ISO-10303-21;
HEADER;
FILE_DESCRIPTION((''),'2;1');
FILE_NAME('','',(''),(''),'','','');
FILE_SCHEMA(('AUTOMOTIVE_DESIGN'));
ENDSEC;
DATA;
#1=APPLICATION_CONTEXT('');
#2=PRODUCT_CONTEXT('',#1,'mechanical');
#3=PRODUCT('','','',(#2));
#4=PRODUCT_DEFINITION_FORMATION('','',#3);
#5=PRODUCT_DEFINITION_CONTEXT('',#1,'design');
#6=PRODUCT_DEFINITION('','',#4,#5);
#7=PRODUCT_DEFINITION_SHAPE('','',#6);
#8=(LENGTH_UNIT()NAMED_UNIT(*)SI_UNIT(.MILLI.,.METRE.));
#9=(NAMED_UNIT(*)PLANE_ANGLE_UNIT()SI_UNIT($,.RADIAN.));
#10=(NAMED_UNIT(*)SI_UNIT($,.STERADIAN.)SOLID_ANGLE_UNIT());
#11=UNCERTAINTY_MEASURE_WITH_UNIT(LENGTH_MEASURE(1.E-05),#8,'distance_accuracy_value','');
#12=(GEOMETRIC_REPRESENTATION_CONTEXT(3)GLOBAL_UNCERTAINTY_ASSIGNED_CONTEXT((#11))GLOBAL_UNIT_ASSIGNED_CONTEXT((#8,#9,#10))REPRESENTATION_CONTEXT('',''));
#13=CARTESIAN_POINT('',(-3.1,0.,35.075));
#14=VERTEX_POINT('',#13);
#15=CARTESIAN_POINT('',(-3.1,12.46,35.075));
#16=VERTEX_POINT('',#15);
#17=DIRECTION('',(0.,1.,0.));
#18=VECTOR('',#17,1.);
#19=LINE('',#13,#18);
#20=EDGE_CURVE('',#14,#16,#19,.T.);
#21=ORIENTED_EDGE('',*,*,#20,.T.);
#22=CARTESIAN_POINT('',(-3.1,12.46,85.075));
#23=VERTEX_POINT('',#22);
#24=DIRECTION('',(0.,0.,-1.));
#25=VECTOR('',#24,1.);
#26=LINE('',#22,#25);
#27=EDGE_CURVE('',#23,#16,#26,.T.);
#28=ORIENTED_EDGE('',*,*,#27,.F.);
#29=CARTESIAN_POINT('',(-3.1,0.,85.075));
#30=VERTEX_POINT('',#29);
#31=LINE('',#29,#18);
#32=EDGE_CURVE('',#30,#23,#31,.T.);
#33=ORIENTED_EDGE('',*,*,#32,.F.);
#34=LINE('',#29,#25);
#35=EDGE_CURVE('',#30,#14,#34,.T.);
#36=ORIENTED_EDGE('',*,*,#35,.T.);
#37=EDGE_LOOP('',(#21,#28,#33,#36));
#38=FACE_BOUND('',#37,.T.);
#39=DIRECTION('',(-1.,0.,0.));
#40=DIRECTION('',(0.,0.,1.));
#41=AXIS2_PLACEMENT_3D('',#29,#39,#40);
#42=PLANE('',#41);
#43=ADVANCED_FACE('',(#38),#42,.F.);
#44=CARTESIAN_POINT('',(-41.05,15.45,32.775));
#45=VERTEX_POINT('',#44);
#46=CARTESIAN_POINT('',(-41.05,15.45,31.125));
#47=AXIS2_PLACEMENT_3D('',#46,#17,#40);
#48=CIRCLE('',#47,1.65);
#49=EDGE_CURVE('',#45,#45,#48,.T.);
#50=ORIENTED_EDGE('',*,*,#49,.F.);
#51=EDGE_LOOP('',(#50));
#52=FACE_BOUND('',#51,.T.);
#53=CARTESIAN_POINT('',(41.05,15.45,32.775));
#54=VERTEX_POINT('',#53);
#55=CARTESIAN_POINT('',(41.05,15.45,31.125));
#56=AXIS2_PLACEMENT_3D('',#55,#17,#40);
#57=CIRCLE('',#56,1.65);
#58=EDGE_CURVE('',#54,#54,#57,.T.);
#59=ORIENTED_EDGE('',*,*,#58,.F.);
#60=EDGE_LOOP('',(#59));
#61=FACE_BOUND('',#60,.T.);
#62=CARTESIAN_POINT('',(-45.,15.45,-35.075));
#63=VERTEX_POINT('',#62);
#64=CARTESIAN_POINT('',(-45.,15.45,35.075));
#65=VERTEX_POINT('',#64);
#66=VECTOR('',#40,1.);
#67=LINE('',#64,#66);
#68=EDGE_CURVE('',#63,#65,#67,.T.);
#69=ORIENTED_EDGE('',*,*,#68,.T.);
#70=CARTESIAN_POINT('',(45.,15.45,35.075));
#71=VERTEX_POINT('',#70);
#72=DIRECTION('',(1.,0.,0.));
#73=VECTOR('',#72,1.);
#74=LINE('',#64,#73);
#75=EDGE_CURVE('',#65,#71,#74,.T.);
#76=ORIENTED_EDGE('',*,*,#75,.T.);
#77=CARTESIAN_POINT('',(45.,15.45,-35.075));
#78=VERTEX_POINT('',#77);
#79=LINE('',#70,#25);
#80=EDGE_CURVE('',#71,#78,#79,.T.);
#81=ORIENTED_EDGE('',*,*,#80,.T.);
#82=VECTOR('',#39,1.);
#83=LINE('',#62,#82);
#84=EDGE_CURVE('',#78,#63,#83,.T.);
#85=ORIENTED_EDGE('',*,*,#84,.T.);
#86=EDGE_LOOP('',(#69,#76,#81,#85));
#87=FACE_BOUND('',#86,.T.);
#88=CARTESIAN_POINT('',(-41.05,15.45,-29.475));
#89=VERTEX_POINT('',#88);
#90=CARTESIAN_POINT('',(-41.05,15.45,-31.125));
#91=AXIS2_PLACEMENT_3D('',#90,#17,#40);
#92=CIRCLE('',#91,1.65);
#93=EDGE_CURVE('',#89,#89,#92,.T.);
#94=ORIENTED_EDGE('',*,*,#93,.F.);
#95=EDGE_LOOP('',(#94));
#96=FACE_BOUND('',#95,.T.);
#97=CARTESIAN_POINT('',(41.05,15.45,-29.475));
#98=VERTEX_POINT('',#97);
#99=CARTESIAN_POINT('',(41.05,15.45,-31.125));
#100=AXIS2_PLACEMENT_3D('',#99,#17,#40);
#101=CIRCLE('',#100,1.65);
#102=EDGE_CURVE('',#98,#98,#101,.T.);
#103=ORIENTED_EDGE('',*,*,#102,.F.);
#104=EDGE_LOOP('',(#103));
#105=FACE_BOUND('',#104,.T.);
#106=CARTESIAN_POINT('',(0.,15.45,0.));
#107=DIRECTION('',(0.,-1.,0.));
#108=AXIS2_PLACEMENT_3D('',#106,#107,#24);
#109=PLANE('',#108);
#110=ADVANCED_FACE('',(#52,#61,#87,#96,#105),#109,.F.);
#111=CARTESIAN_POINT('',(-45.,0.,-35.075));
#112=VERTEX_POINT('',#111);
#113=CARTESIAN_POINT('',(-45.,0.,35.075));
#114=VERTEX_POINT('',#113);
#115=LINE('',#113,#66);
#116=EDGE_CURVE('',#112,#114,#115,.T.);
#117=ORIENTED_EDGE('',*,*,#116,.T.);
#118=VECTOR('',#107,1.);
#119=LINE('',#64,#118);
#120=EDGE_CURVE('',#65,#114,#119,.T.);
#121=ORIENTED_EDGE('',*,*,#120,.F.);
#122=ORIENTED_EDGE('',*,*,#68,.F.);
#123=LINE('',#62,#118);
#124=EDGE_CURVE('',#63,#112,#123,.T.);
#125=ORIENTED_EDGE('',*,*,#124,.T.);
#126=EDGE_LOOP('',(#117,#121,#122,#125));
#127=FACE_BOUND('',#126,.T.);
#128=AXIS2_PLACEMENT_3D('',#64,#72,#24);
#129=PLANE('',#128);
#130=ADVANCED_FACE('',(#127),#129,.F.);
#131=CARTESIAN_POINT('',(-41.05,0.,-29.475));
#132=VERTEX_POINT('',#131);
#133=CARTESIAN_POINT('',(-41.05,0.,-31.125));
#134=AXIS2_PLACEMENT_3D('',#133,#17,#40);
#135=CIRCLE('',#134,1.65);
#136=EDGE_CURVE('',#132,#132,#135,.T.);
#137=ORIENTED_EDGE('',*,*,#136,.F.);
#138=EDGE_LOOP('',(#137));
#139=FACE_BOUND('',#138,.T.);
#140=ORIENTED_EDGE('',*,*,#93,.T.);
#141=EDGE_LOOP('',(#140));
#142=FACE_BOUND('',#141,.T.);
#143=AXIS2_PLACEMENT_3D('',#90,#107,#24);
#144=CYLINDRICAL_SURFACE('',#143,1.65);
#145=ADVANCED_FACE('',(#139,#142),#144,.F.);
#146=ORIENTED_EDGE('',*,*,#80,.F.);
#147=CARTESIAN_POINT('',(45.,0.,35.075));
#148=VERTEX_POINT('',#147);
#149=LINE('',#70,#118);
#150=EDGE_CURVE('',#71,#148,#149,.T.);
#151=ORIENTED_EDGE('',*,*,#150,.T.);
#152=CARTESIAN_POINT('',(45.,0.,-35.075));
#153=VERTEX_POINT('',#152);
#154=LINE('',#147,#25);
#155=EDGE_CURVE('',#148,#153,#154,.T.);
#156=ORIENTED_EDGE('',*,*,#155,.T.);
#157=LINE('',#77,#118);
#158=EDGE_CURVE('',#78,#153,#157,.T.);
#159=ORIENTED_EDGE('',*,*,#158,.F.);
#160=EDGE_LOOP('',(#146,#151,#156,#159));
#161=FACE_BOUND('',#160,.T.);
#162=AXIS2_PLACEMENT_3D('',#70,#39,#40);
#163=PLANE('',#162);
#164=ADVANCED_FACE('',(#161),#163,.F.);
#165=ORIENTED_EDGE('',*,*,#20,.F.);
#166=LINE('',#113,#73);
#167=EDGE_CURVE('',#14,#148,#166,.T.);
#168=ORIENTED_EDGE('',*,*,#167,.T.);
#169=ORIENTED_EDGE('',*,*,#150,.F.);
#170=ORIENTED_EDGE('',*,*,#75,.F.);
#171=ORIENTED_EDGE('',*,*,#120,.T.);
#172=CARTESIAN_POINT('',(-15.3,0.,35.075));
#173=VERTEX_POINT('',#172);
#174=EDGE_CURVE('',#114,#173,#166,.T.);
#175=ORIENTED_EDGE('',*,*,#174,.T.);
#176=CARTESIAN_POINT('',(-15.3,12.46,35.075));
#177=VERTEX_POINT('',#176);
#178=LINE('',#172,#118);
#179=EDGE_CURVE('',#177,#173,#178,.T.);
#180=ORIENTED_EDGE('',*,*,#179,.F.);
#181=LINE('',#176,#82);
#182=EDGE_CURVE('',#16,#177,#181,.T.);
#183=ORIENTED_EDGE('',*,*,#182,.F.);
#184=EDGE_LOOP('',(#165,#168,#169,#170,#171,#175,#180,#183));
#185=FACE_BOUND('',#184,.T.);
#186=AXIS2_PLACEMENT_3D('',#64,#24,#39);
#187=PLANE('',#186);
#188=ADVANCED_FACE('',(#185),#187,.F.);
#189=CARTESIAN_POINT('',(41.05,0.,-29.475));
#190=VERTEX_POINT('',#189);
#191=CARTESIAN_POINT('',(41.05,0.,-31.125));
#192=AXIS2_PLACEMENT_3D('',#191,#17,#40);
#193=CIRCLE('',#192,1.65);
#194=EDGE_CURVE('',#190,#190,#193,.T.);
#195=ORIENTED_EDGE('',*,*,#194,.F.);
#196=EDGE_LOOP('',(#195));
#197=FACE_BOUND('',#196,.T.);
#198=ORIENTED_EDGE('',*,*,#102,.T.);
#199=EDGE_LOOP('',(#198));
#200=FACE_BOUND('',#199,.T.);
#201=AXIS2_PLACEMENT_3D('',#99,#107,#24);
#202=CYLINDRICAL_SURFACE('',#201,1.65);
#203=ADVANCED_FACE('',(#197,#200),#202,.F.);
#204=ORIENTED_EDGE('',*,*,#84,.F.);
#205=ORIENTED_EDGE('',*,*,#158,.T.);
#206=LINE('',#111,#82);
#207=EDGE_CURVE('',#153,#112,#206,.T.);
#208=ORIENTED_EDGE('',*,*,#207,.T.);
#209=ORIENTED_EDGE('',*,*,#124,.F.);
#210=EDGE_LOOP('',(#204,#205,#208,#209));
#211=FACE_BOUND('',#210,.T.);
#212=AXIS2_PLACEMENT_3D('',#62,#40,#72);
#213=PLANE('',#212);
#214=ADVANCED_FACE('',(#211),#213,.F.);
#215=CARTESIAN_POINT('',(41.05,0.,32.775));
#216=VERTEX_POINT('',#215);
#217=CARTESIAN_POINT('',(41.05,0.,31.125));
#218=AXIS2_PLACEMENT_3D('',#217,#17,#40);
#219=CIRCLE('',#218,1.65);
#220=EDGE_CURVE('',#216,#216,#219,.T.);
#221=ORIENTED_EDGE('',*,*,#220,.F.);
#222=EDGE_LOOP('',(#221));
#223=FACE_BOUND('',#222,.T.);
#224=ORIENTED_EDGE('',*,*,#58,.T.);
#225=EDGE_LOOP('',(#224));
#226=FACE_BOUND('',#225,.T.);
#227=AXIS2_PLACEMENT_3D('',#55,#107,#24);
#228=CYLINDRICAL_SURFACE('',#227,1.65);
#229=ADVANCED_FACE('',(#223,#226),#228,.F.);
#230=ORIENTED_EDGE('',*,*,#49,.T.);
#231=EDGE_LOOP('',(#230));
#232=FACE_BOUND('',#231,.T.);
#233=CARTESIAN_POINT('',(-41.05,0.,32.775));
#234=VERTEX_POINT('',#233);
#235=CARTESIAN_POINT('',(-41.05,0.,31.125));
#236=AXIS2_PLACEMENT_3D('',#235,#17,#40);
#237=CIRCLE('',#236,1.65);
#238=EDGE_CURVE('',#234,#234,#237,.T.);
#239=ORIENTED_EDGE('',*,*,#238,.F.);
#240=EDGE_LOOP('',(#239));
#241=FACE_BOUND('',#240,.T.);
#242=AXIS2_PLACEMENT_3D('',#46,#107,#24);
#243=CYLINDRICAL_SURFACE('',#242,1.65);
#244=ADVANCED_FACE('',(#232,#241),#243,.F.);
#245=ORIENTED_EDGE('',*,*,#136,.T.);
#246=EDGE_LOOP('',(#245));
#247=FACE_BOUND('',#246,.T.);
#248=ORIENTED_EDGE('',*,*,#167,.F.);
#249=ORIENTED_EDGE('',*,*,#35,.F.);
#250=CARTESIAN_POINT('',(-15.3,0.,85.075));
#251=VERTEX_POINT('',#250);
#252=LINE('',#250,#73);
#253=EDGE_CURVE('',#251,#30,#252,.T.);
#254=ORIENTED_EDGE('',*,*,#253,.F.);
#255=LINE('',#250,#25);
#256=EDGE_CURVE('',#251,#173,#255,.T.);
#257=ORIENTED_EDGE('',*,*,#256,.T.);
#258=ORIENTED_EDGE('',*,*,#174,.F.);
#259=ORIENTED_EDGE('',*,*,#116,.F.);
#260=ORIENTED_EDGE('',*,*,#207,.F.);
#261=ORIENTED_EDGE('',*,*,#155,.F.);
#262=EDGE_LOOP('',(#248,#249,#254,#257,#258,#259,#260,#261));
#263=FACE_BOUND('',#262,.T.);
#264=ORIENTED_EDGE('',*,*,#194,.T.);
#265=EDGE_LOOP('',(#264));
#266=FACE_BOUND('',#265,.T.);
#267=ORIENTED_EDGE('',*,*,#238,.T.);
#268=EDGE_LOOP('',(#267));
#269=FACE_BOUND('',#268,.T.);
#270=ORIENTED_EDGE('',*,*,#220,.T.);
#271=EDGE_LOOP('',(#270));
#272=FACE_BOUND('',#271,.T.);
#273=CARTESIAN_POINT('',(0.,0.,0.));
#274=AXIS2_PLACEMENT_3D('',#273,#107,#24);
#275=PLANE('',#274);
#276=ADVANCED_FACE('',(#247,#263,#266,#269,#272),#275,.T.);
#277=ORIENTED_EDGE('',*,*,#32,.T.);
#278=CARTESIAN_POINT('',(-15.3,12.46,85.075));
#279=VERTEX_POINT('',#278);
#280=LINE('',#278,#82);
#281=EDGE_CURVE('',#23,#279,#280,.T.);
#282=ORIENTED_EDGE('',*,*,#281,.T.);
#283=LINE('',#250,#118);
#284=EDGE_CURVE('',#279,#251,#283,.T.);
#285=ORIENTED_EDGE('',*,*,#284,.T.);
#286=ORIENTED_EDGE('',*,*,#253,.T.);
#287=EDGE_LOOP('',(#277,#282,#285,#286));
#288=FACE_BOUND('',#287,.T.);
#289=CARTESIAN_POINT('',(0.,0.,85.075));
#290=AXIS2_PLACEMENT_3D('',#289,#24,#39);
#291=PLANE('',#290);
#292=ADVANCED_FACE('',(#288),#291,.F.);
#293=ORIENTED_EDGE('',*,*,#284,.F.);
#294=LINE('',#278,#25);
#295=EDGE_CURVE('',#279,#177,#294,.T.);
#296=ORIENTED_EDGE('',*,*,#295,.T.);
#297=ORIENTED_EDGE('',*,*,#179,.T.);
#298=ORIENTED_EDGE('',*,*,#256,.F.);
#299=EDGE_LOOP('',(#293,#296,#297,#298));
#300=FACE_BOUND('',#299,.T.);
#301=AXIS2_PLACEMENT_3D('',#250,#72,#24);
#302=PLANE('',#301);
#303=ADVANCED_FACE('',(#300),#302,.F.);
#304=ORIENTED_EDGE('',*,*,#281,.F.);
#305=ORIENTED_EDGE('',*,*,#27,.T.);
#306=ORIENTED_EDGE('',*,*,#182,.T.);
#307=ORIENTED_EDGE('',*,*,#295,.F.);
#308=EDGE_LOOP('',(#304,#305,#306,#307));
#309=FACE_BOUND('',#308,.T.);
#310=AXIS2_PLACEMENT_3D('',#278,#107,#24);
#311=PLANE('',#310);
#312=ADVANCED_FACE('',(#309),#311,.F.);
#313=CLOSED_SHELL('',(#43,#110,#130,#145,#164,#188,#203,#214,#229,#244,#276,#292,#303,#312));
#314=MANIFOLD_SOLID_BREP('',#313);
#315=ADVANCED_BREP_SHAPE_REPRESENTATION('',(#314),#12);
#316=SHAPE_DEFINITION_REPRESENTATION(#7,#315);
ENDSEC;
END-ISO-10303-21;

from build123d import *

# Parameters (mm, degrees)
SKETCH1_W           = 90
SKETCH1_H           = 70.15
SKETCH1_R           = 1.65
BOSS_EXTRUDE1_DEPTH = 15.45
SKETCH2_W           = 12.2
SKETCH2_H           = 12.46
BOSS_EXTRUDE2_DEPTH = 50


with BuildPart() as part:
    # Sketch1 → Boss-Extrude1 (new body)
    with BuildSketch(Plane(origin=(0, 0, 0), x_dir=(1, 0, 0), z_dir=(0, 1, 0))):
        Rectangle(SKETCH1_W, SKETCH1_H)
        with Locations(Location((-41.05, 31.125, 0), (0, 0, 270))):
            Circle(SKETCH1_R, mode=Mode.SUBTRACT)
        with Locations(Location((41.05, 31.125, 0), (0, 0, 270))):
            Circle(SKETCH1_R, mode=Mode.SUBTRACT)
        with Locations(Location((-41.05, -31.125, 0), (0, 0, 270))):
            Circle(SKETCH1_R, mode=Mode.SUBTRACT)
        with Locations(Location((41.05, -31.125, 0), (0, 0, 270))):
            Circle(SKETCH1_R, mode=Mode.SUBTRACT)
    extrude(amount=BOSS_EXTRUDE1_DEPTH)

    # Sketch2 → Boss-Extrude2 (add)
    with BuildSketch(Plane.XY.offset(35.075)):
        with Locations((-9.2, 6.23)):
            Rectangle(SKETCH2_W, SKETCH2_H)
    extrude(amount=BOSS_EXTRUDE2_DEPTH)


solid = part.part
